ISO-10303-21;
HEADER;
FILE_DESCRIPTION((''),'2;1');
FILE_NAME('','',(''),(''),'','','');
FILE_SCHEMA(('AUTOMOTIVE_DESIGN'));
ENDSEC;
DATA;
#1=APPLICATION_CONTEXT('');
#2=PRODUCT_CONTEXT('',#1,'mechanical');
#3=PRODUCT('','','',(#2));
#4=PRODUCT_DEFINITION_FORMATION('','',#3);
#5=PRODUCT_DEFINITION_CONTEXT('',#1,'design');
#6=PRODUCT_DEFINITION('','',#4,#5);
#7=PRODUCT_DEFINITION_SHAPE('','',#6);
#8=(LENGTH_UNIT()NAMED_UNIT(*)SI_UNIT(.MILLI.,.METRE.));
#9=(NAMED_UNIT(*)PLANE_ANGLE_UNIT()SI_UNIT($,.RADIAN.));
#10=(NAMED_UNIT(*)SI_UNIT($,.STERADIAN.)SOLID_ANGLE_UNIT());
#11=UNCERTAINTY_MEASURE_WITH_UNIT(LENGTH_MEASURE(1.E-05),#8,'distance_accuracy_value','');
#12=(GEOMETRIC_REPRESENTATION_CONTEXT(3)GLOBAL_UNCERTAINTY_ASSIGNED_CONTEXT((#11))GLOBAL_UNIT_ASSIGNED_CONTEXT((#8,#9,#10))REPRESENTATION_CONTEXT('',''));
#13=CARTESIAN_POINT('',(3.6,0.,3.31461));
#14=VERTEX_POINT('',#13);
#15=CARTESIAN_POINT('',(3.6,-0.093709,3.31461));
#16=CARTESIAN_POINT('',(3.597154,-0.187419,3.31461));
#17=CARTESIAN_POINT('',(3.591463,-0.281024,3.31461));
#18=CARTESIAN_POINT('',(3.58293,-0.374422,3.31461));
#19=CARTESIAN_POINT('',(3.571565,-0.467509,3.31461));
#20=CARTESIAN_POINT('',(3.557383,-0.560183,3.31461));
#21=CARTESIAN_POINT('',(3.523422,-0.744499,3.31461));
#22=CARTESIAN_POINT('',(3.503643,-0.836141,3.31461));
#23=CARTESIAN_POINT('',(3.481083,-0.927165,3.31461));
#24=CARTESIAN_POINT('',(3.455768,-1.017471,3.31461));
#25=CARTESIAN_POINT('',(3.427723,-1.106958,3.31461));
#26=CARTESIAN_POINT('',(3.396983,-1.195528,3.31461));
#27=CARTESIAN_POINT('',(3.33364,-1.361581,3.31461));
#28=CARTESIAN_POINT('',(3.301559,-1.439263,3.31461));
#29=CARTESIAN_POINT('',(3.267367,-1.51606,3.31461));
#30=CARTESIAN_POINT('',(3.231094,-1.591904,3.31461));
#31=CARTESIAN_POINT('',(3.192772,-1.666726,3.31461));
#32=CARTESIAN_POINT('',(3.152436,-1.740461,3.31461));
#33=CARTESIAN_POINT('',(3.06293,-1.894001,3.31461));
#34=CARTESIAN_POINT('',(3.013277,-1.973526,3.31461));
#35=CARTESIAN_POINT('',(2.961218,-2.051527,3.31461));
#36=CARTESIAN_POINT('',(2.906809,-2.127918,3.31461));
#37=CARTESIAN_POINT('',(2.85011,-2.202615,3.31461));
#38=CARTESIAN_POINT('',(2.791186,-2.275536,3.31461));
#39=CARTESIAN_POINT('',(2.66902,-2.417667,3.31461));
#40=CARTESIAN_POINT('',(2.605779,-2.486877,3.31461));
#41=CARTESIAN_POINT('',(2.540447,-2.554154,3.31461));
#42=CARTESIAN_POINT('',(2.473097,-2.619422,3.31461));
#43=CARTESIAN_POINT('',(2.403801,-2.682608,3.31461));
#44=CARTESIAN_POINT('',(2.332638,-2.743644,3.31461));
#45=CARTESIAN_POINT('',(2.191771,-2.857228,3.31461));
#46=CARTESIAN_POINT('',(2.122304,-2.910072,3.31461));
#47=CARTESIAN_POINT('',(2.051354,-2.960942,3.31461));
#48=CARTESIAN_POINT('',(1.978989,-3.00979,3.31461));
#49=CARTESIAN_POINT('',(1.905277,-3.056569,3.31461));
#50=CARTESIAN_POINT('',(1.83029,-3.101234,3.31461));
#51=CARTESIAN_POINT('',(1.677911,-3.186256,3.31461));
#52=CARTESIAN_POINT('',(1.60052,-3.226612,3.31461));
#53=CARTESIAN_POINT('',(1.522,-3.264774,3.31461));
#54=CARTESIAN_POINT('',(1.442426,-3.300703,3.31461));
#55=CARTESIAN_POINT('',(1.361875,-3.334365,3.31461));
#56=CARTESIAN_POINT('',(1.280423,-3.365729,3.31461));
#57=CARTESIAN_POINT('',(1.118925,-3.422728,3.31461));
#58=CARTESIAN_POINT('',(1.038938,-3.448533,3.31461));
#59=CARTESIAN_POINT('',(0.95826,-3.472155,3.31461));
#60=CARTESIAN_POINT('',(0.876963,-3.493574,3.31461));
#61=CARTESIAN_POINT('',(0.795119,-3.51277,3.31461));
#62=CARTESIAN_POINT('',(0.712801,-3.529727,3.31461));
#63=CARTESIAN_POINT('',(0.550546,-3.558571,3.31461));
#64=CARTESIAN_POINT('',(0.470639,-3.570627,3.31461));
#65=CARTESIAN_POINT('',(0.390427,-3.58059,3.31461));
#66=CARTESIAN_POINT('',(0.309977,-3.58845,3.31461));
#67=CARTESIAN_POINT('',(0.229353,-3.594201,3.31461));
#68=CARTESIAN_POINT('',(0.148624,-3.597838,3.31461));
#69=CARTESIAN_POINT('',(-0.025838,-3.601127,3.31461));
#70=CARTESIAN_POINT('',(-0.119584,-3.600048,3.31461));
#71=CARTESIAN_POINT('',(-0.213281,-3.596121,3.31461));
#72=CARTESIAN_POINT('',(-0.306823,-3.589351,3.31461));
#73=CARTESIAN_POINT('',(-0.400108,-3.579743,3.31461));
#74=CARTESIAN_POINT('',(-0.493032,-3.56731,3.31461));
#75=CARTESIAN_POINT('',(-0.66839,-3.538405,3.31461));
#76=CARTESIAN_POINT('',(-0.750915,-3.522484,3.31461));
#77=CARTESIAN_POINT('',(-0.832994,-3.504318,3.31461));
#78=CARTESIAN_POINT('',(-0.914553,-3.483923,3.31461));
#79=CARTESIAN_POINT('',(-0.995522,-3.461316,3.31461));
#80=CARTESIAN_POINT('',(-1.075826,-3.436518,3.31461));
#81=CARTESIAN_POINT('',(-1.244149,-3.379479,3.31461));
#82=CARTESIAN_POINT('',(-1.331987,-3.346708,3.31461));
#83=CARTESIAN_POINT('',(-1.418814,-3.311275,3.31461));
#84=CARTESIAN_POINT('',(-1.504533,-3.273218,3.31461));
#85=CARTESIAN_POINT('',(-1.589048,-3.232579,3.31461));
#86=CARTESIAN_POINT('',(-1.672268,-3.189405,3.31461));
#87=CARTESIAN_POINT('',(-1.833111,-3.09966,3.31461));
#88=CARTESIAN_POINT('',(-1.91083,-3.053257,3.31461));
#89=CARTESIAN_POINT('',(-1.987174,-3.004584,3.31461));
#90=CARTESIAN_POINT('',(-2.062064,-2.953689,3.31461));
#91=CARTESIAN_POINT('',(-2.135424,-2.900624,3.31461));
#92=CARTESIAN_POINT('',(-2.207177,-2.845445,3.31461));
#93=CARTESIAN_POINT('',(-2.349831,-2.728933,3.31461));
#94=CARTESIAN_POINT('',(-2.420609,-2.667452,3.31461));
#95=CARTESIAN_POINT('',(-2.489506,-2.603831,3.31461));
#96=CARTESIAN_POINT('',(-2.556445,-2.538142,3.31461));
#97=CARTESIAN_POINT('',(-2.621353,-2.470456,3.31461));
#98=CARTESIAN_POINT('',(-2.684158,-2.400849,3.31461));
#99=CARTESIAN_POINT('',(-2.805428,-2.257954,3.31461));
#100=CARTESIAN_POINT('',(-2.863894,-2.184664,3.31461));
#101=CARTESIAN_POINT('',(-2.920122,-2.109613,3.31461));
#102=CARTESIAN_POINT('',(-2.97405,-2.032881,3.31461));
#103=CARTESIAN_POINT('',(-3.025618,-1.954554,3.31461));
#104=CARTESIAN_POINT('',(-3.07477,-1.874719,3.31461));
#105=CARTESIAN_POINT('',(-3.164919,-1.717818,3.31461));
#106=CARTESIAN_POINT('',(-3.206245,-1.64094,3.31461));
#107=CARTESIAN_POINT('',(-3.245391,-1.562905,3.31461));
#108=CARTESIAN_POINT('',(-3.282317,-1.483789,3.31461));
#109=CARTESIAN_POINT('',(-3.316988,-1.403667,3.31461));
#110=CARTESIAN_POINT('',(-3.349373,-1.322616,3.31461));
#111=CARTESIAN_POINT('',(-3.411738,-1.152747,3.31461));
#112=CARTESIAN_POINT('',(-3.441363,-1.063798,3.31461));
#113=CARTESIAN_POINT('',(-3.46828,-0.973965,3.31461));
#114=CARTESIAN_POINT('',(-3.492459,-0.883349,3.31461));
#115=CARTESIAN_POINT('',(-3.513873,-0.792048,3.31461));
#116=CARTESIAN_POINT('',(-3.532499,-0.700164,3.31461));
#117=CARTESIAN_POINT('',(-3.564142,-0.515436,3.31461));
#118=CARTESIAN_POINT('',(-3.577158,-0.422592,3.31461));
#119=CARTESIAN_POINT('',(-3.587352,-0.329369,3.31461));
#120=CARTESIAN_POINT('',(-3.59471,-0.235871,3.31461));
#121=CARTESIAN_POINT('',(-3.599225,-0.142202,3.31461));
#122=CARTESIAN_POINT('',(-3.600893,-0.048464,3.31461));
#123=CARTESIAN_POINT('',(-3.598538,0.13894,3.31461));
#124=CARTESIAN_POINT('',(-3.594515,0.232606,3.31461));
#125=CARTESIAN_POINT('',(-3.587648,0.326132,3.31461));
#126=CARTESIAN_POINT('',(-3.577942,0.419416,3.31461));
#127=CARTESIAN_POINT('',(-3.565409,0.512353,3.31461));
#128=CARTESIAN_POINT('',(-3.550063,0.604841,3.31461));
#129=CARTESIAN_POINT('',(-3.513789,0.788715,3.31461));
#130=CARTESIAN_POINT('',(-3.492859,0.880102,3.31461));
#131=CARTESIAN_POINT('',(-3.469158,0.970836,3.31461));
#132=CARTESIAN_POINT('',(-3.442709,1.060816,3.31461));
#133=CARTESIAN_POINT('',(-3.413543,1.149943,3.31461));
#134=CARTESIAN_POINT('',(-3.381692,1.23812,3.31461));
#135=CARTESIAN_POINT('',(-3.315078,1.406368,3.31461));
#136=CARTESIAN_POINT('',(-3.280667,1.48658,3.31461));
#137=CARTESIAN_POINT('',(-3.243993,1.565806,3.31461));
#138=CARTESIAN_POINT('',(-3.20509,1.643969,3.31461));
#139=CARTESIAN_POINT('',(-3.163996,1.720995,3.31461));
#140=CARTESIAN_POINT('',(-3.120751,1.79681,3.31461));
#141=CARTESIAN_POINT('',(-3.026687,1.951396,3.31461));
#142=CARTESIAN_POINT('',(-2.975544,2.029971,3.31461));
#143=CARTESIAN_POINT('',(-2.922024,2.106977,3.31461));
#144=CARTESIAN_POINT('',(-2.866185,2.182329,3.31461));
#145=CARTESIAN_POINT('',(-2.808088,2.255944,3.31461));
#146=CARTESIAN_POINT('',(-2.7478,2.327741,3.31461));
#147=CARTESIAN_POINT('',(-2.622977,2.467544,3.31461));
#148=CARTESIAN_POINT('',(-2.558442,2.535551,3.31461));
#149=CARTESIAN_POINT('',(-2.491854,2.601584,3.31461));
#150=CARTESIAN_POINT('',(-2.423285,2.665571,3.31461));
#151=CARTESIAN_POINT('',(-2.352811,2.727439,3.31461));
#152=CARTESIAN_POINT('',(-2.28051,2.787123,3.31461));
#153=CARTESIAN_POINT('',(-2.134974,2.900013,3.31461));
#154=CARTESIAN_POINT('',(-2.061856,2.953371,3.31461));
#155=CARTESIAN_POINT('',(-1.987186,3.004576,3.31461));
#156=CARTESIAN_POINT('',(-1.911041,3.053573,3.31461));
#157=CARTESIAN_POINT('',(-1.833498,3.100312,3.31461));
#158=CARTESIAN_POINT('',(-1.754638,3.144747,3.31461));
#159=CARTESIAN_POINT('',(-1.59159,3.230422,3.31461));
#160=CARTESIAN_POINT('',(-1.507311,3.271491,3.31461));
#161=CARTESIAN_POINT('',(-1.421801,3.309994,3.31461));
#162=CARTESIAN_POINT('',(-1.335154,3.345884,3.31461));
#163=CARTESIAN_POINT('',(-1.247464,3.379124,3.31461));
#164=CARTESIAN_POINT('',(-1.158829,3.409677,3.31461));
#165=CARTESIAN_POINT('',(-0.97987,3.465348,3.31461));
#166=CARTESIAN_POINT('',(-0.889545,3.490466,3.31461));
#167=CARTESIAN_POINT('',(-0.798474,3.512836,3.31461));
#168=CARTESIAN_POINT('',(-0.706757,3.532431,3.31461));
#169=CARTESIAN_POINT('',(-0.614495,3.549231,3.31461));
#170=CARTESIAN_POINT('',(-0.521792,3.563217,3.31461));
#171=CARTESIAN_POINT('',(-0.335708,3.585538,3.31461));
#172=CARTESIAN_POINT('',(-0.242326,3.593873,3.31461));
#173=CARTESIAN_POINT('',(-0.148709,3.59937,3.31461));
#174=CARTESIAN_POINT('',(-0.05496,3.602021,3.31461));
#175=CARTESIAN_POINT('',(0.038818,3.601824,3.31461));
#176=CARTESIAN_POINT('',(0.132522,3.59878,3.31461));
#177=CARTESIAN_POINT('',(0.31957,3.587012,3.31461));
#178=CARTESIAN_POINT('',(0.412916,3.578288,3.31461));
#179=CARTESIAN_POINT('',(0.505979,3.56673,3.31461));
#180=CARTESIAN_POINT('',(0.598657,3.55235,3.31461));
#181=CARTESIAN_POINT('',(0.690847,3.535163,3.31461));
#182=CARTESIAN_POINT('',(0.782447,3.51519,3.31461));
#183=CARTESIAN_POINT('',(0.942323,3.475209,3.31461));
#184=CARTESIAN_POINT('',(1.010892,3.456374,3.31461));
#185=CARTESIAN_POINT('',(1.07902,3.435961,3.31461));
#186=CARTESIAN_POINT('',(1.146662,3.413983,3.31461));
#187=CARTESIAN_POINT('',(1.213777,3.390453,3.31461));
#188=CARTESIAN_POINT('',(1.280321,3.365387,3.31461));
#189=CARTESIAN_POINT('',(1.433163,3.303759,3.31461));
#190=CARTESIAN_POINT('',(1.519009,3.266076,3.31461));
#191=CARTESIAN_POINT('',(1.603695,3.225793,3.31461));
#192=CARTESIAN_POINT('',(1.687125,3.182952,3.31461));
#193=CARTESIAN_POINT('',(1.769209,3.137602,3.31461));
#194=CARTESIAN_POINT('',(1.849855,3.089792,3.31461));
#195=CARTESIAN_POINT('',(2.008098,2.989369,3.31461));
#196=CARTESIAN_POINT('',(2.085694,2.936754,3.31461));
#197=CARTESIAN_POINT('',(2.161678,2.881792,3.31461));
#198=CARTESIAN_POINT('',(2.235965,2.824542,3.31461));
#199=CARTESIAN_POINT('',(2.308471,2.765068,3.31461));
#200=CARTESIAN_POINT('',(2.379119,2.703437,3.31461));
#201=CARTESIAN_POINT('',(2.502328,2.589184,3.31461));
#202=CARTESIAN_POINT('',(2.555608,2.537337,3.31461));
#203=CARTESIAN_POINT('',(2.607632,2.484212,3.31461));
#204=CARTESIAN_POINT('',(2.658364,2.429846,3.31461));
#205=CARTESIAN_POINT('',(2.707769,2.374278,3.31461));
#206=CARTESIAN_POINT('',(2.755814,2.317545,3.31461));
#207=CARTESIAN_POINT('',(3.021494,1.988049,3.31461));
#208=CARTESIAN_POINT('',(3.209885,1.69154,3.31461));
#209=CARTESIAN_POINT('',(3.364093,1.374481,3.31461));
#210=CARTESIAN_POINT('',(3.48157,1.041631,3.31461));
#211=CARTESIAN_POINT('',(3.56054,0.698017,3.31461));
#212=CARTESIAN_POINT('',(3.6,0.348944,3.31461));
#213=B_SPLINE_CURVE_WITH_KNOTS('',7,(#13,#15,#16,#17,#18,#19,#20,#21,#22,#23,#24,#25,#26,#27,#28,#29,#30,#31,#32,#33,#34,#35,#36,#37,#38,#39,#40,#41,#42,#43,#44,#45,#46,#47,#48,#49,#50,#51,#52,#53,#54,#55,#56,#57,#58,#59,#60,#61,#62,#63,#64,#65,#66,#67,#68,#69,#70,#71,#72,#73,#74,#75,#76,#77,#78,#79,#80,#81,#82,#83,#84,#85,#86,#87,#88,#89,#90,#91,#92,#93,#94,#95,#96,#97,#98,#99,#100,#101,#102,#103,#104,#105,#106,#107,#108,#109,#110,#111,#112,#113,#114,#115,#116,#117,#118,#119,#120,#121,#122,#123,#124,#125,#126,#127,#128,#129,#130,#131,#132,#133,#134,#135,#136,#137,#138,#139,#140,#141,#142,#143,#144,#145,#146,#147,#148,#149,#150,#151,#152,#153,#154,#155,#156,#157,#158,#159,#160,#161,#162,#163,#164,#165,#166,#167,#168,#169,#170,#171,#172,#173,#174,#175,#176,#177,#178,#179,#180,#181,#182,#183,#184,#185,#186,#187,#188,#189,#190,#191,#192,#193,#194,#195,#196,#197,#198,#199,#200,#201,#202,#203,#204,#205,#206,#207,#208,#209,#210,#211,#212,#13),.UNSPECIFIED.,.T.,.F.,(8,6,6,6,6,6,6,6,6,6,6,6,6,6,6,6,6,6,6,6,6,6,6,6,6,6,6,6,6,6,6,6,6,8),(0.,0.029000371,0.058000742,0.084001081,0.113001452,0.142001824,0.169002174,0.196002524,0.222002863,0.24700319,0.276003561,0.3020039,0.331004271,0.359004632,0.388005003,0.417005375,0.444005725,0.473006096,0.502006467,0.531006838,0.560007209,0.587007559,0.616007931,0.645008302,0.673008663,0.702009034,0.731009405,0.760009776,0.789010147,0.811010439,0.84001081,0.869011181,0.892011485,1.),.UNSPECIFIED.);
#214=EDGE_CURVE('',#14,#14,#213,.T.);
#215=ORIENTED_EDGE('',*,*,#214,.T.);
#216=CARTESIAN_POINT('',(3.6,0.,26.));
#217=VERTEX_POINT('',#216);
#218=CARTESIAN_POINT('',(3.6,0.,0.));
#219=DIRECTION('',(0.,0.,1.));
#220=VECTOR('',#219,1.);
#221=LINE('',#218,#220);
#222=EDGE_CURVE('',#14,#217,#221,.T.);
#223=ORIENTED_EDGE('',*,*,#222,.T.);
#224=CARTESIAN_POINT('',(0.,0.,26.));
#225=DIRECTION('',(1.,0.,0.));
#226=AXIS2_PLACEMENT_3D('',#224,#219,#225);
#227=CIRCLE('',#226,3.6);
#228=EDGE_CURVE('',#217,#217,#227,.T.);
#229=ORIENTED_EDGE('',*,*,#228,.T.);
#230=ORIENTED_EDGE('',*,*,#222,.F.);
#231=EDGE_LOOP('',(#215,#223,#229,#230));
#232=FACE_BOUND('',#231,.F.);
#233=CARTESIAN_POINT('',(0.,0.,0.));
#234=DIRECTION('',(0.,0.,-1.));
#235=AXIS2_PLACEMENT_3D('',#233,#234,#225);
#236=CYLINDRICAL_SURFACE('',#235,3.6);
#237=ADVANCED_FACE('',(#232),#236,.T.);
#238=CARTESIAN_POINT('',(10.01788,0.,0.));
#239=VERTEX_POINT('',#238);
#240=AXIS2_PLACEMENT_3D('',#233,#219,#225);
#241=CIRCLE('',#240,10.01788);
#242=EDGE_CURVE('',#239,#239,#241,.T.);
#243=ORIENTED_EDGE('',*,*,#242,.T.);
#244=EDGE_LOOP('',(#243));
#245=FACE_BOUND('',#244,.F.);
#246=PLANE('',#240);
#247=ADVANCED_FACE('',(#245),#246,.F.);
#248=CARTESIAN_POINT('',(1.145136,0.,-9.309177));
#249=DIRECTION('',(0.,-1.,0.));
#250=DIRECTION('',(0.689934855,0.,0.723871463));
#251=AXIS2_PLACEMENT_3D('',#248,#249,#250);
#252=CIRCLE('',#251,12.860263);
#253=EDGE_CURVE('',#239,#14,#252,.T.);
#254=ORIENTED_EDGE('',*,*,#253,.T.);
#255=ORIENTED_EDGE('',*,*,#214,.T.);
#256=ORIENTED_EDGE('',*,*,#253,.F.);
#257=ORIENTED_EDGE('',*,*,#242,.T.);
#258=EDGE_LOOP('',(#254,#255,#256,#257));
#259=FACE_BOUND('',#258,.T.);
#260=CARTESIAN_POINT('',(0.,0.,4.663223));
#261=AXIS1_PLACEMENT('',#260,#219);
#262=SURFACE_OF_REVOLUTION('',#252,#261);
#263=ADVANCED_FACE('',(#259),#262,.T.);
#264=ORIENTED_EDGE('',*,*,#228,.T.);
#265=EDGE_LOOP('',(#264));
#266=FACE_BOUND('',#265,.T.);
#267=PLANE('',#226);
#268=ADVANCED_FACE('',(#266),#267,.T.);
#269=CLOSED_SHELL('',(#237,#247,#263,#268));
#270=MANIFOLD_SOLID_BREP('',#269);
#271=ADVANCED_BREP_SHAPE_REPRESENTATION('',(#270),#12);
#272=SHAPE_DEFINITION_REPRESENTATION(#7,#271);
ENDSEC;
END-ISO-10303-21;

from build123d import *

# Parameters (mm, degrees)
F2_R     = 3.6
F3_DEPTH = 26


with BuildPart() as f1:
    # F0 (on Front) → F1 (revolve)
    with BuildSketch(Plane.XZ):
        with BuildLine():
            Line((0, 3.5), (0, 0))
            Line((0, 0), (10.01788, 0))
            ThreePointArc((10.01788, 0), (5.386773, 2.831452), (0, 3.5))
        make_face()
    revolve(axis=Axis((0, 0, 4.663223), (0, 0, 1)))

    # F2 (on Top) → F3 (join)
    with BuildSketch(Plane.XY):
        Circle(F2_R)
    extrude(amount=F3_DEPTH)


solid = f1.part
